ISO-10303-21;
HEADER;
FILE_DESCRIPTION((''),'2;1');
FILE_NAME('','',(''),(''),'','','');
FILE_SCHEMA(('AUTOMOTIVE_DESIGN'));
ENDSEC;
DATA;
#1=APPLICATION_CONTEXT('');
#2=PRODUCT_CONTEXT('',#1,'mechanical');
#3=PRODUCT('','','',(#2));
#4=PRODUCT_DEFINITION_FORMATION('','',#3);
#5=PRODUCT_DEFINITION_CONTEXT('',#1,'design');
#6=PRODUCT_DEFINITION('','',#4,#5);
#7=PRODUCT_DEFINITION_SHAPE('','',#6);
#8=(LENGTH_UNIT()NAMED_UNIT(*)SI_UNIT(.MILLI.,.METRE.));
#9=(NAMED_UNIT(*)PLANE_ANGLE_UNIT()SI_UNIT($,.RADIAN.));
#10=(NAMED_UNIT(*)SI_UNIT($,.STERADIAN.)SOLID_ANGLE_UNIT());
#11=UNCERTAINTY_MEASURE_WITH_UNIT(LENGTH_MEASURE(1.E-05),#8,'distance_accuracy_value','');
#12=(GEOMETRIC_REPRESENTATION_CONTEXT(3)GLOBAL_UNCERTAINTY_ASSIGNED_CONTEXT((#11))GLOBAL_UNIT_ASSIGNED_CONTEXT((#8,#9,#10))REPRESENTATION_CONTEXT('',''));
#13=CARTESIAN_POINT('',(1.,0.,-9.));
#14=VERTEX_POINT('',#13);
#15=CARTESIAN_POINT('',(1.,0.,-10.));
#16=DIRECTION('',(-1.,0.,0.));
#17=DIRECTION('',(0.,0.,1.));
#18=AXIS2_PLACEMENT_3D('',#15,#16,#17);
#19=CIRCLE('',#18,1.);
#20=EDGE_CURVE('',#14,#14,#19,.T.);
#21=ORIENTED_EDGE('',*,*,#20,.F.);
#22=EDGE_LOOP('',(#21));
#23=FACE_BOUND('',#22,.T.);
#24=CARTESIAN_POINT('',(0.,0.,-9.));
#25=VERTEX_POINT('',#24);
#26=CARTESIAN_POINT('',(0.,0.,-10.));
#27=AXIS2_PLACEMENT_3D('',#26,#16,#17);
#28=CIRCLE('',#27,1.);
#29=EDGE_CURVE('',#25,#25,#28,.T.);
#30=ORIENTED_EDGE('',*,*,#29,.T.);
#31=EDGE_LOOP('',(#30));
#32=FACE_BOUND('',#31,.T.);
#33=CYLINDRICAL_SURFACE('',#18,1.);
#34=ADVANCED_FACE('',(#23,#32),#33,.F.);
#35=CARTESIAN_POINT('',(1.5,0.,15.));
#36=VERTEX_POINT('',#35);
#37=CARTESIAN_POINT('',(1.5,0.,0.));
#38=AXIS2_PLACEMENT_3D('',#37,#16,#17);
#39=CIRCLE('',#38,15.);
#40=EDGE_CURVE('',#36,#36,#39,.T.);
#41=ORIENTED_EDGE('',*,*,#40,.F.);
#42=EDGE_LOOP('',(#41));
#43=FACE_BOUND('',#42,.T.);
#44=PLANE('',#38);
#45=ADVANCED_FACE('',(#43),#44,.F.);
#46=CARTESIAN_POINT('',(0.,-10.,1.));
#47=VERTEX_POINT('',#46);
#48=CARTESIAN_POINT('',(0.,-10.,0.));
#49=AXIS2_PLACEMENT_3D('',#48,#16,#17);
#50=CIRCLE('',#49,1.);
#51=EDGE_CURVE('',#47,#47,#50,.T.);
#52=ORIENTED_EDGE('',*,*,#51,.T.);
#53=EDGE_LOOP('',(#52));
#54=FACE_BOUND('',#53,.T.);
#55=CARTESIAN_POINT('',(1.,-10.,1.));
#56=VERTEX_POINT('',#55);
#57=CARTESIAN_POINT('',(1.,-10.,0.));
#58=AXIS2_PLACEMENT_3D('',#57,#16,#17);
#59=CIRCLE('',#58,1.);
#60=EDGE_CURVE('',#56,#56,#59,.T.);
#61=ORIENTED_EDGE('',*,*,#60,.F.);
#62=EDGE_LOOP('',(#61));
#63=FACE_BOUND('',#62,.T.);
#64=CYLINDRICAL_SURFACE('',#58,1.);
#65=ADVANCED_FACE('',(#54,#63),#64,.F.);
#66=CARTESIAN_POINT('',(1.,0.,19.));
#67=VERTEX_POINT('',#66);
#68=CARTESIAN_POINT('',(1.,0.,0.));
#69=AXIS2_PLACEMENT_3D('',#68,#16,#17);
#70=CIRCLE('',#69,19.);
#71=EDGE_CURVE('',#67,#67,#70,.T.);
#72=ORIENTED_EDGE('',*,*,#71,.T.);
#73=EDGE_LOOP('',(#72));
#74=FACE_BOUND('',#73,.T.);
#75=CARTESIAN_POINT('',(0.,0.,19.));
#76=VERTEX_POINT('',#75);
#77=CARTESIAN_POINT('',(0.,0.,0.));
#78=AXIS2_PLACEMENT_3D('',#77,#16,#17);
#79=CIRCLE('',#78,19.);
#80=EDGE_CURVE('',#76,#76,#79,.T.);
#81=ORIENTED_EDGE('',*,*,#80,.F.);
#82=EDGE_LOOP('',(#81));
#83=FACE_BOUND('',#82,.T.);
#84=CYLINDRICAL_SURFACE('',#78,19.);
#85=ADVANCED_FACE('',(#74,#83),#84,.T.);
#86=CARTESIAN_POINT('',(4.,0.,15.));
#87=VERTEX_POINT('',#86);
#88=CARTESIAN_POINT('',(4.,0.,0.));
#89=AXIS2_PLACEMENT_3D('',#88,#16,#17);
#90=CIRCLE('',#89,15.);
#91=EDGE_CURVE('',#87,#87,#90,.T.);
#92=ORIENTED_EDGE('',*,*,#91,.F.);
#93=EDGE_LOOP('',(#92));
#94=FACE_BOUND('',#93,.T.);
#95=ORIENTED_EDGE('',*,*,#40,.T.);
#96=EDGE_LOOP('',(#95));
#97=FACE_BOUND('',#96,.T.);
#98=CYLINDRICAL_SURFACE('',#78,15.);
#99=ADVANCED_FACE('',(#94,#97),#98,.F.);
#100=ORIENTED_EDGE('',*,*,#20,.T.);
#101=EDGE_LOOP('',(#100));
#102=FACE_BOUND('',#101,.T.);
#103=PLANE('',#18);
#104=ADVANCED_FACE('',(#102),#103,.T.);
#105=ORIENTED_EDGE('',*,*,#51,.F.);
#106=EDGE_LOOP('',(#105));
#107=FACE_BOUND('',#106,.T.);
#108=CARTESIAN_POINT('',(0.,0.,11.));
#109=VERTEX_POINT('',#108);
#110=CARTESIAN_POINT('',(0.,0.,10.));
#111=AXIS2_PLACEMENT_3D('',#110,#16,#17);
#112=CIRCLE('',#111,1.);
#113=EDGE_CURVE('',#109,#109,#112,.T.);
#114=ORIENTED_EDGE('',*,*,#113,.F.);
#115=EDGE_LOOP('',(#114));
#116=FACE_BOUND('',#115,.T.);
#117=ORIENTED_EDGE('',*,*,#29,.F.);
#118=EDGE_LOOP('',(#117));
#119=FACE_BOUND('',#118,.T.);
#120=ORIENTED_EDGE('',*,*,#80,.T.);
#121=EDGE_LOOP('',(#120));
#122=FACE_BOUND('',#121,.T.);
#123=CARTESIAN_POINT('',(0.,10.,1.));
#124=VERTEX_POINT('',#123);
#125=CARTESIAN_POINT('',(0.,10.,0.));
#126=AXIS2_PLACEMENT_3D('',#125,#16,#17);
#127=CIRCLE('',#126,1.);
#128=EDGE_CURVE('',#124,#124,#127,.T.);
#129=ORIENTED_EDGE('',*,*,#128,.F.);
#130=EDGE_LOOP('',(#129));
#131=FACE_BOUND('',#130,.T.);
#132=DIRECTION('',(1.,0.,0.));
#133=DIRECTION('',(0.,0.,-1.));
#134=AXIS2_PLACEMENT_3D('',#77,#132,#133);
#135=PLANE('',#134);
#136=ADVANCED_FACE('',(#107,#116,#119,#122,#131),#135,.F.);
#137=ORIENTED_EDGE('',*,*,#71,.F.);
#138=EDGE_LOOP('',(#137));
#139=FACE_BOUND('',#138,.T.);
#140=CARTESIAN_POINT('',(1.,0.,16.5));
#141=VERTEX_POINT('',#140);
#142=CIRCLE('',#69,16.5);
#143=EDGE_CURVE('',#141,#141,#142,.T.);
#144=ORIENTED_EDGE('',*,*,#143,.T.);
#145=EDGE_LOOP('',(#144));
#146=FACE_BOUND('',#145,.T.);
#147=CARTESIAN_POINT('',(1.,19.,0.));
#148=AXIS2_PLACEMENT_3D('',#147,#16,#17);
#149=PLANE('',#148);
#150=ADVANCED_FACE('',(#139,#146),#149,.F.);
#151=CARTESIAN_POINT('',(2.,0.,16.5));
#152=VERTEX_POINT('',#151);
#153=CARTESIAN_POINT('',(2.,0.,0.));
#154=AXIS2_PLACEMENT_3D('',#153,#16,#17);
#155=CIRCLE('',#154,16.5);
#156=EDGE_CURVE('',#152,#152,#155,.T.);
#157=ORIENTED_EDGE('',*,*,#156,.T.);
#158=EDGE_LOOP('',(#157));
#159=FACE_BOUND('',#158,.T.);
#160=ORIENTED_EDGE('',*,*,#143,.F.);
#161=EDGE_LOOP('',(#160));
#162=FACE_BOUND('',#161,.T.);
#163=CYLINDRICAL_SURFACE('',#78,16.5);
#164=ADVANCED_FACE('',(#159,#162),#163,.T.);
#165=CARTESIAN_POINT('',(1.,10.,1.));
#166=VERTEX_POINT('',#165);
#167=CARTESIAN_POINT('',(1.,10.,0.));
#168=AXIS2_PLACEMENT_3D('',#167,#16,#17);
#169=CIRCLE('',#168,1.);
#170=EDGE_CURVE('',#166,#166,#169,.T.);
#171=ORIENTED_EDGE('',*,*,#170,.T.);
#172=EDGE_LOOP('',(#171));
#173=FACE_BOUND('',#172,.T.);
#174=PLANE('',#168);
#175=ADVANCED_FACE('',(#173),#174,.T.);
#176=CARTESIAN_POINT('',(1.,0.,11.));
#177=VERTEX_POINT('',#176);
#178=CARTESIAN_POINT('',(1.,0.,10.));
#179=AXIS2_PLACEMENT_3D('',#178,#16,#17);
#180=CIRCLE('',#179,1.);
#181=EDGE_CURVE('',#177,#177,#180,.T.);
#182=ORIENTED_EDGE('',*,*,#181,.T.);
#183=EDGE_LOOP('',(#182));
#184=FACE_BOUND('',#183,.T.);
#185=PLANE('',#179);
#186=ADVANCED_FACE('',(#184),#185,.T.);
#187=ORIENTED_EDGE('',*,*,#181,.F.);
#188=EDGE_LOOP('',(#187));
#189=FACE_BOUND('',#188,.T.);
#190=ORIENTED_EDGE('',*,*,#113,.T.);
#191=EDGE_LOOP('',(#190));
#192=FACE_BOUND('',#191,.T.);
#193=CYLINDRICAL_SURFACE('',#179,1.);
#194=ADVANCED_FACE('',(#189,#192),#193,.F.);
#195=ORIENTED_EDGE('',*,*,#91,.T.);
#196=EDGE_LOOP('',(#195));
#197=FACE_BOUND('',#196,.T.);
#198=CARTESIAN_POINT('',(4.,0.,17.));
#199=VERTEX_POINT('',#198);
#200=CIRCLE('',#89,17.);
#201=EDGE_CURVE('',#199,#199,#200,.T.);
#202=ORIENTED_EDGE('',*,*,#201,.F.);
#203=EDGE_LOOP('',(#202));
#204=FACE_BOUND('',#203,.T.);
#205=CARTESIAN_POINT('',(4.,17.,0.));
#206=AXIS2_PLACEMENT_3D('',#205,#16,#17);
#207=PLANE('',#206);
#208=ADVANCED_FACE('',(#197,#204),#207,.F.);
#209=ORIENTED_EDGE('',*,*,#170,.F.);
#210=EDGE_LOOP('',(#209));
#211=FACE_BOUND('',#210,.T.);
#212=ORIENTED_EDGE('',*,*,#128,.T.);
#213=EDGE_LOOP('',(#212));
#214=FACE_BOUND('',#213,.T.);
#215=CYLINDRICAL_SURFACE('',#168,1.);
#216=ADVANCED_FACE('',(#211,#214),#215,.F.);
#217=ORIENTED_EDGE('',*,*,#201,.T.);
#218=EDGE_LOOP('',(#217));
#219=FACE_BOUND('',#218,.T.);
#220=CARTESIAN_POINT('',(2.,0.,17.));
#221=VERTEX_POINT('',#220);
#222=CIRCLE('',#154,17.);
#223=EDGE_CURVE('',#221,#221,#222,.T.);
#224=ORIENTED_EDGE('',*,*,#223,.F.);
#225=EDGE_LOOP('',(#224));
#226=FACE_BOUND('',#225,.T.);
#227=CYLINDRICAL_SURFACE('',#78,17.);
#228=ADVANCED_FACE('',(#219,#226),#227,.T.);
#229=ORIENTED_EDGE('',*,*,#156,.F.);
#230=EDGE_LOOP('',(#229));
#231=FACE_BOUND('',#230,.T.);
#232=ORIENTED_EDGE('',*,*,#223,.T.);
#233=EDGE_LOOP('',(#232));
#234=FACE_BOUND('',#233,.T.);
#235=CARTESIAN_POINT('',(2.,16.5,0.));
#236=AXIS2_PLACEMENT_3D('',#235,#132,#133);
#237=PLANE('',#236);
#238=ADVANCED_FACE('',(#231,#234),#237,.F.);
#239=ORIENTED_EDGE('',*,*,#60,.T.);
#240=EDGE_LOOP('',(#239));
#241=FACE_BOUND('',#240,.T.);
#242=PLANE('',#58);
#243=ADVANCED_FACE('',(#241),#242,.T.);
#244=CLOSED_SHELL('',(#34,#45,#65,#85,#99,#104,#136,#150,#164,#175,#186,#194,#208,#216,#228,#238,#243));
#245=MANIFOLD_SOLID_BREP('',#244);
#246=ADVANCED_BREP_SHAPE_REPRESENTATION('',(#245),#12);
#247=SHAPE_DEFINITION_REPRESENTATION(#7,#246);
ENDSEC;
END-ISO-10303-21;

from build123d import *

# Parameters (mm, degrees)
SKETCH2_R          = 1
CUT_EXTRUDE1_DEPTH = 1


with BuildPart() as part:
    # Sketch1 → Revolve1 (revolve)
    with BuildSketch(Plane.XY, mode=Mode.PRIVATE) as revolve1_sk:
        Polygon((0, 19), (1, 19), (1, 16.5), (2, 16.5), (2, 17), (4, 17), (4, 15), (1.5, 15), (1.5, 0), (0, 0), align=None)
    revolve(revolve1_sk.sketch.rotate(Axis((0, 0, 0), (1, 0, 0)), 90), axis=Axis((0, 0, 0), (1, 0, 0)))

    # Sketch2 → Cut-Extrude1 (cut)
    with BuildSketch(Plane.ZY):
        with Locations((-10, 0)):
            Circle(SKETCH2_R)
        with Locations((0, 10)):
            Circle(SKETCH2_R)
        with Locations((10, 0)):
            Circle(SKETCH2_R)
        with Locations((0, -10)):
            Circle(SKETCH2_R)
    extrude(amount=-CUT_EXTRUDE1_DEPTH, mode=Mode.SUBTRACT)


solid = part.part
